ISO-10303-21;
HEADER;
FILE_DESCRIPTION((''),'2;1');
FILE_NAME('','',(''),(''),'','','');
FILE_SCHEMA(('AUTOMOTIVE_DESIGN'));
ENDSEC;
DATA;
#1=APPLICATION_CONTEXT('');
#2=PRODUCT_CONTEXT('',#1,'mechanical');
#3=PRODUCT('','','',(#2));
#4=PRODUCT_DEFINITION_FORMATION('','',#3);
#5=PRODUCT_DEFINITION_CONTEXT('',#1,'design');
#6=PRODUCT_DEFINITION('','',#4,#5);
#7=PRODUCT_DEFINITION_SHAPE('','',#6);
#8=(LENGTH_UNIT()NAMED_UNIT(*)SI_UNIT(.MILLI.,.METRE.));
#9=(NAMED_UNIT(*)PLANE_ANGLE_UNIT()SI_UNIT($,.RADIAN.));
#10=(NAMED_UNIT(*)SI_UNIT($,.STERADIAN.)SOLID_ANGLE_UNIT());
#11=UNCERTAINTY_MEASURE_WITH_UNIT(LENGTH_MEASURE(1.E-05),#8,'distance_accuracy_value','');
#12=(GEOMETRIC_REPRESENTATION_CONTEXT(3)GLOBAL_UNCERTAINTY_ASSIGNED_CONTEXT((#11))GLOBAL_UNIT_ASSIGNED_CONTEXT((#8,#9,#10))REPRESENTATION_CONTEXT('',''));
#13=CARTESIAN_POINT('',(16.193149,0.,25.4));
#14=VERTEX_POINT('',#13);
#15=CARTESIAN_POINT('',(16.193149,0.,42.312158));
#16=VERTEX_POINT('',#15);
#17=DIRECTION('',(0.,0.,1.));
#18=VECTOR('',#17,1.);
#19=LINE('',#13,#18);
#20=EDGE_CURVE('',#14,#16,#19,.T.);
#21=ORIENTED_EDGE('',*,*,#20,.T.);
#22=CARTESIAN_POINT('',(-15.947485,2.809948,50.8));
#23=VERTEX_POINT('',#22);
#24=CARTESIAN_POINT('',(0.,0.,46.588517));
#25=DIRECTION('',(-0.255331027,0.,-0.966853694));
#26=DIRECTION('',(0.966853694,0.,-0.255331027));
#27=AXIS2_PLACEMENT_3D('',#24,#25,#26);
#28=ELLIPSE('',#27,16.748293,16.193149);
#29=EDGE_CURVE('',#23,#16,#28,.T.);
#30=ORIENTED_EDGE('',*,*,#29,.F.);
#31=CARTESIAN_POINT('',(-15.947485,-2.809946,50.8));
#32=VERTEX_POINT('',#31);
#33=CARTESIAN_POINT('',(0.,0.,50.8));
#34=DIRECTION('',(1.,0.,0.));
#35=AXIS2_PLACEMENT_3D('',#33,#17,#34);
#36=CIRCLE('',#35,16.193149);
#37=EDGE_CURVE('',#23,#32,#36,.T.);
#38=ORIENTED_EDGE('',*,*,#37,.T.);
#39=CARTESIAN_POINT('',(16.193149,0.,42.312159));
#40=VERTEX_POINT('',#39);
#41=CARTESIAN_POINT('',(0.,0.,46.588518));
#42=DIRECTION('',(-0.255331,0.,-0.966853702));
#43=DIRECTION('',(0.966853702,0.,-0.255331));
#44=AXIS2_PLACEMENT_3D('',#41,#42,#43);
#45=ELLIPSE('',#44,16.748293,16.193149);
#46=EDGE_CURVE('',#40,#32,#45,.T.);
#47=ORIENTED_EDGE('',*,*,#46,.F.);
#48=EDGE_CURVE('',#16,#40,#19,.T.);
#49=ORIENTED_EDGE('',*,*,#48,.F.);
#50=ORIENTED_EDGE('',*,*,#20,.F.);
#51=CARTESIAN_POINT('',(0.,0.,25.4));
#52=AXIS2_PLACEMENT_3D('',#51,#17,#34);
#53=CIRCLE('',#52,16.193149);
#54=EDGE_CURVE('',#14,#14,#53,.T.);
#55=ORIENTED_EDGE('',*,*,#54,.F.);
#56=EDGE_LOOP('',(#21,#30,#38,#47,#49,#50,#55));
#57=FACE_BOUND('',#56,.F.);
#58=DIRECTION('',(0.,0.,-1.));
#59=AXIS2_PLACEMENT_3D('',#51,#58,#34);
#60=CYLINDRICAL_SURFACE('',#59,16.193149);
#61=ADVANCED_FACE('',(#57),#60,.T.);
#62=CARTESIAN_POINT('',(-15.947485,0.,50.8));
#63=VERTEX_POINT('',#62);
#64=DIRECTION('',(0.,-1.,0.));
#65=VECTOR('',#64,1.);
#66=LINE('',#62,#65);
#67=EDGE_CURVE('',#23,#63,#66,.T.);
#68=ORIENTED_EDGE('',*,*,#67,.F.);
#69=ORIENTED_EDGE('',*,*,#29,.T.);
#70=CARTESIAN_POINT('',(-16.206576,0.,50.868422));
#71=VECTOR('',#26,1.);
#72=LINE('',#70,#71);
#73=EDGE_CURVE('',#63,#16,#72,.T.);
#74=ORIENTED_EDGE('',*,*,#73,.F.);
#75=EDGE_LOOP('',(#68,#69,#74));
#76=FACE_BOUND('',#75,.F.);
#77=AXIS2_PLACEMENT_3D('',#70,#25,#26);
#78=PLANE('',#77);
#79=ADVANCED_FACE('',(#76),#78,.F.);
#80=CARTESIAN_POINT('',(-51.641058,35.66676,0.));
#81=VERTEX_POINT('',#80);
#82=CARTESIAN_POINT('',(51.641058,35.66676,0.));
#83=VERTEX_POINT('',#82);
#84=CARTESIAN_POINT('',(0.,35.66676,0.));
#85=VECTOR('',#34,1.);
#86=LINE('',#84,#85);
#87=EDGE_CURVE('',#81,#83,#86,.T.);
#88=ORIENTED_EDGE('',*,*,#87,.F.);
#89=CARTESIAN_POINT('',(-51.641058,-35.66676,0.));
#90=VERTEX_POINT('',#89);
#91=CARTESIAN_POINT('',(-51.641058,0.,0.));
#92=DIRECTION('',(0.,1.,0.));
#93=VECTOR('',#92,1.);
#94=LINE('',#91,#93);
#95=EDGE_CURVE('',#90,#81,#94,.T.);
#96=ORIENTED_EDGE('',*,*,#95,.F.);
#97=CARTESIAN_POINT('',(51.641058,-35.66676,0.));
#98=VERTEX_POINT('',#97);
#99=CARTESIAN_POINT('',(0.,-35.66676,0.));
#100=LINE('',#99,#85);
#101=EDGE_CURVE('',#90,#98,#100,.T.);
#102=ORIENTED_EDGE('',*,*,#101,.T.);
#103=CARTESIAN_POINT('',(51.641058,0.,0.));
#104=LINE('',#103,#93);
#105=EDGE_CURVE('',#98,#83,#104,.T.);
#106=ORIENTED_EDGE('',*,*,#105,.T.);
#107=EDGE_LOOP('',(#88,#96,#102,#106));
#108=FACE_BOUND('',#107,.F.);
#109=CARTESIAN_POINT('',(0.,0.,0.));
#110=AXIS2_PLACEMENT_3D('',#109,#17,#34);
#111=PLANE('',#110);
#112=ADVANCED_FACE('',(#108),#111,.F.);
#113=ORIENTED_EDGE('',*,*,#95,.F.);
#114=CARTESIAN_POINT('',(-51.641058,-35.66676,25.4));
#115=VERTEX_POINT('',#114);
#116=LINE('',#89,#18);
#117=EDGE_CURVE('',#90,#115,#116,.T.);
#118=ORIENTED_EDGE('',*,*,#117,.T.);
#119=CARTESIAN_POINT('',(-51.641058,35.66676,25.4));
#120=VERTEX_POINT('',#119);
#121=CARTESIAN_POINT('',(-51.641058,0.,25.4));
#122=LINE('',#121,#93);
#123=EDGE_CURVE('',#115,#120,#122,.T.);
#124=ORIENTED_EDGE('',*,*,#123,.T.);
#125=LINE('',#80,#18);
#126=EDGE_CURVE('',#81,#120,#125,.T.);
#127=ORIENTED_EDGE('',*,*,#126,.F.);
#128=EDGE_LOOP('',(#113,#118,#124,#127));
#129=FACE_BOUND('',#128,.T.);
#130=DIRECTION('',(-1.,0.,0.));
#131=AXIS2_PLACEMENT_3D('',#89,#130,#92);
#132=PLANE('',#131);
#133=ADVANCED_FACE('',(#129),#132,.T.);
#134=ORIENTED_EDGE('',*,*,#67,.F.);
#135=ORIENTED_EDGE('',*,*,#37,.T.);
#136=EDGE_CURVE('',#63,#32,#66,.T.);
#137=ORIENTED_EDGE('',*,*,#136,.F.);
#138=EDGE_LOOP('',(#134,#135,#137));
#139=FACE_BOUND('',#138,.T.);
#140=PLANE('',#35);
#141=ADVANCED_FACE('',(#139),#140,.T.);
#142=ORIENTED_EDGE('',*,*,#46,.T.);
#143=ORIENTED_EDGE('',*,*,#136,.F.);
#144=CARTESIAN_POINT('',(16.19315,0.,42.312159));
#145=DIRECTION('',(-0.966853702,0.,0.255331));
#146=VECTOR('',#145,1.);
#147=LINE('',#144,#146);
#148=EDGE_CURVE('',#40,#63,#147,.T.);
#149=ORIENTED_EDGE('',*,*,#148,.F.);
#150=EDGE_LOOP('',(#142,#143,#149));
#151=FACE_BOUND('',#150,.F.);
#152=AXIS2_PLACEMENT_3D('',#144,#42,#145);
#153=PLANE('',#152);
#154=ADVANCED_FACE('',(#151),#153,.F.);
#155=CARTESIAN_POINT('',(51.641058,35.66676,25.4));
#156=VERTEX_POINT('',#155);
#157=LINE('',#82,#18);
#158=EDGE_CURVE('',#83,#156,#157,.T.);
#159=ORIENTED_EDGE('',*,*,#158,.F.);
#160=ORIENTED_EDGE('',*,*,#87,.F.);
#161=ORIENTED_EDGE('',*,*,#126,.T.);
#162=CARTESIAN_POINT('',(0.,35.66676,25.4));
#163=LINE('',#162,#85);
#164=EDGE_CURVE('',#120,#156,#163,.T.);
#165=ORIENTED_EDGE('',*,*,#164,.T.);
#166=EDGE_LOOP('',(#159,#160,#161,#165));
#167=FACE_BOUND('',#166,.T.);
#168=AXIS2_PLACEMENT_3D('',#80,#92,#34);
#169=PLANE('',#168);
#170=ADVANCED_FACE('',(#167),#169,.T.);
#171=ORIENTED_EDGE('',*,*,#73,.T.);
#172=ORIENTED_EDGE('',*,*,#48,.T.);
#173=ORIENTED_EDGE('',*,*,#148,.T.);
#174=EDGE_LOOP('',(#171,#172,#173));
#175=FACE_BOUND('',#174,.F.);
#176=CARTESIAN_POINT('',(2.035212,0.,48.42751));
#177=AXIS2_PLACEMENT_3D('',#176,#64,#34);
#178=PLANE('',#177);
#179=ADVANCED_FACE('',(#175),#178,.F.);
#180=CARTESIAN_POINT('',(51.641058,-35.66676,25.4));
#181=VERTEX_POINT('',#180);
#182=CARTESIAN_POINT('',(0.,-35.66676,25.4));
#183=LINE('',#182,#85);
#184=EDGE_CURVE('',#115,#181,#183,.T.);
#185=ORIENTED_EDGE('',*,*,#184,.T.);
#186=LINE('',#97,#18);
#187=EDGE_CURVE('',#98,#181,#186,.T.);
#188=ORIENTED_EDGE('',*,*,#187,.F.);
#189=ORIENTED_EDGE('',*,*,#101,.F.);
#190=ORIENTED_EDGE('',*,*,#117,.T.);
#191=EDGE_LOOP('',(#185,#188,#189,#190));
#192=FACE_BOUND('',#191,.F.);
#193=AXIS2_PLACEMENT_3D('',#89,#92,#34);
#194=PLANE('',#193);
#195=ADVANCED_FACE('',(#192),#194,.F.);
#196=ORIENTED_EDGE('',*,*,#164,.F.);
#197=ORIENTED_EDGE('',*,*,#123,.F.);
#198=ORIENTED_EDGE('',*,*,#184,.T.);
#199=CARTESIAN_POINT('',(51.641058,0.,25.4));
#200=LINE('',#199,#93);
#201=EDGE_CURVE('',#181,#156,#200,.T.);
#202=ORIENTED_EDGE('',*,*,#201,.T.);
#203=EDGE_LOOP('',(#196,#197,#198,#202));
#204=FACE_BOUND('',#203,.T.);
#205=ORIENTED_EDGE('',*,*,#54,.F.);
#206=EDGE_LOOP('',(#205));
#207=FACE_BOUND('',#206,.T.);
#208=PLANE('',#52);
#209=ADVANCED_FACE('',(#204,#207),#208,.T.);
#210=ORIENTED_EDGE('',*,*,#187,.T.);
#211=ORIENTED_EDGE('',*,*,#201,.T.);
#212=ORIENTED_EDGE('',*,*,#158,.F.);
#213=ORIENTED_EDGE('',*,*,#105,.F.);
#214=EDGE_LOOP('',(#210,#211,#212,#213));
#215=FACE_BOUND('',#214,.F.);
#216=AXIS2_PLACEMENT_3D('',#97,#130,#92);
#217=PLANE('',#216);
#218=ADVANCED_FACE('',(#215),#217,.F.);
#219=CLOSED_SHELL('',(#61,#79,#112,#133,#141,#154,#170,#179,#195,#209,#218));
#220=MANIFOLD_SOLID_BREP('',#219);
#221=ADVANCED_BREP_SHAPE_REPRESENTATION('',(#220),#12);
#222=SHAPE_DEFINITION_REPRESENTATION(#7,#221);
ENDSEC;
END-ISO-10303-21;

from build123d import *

# Parameters (mm, degrees)
F0_W     = 103.282116
F0_H     = 71.33352
F1_DEPTH = 25.4
F2_R     = 16.193149
F3_DEPTH = 25.4
F5_DEPTH = 25.4
F6_DEPTH = 25.4


with BuildPart() as f1:
    # F0 (on Top) → F1 (new body)
    with BuildSketch(Plane.XY):
        Rectangle(F0_W, F0_H)
    extrude(amount=F1_DEPTH)

    # F2 (on face) → F3 (join)
    with BuildSketch(Plane.XY.offset(25.4)):
        Circle(F2_R)
    extrude(amount=F3_DEPTH)

    # F4 (on Front) → F5 (cut)
    with BuildSketch(Plane.XZ):
        Polygon((16.517028, 50.868422), (-16.206576, 50.868422), (16.517028, 42.226627), align=None)
    extrude(amount=-F5_DEPTH, mode=Mode.SUBTRACT)

    # F5_face (on face) → F6 (cut)
    with BuildSketch(Plane(origin=(5.479605, 0, 47.97072), x_dir=(1, 0, 0), z_dir=(0, 1, 0))):
        Polygon((10.713545, 5.658561), (-21.42709, -2.82928), (10.713545, -2.82928), align=None)
    extrude(amount=-F6_DEPTH, mode=Mode.SUBTRACT)


solid = f1.part
